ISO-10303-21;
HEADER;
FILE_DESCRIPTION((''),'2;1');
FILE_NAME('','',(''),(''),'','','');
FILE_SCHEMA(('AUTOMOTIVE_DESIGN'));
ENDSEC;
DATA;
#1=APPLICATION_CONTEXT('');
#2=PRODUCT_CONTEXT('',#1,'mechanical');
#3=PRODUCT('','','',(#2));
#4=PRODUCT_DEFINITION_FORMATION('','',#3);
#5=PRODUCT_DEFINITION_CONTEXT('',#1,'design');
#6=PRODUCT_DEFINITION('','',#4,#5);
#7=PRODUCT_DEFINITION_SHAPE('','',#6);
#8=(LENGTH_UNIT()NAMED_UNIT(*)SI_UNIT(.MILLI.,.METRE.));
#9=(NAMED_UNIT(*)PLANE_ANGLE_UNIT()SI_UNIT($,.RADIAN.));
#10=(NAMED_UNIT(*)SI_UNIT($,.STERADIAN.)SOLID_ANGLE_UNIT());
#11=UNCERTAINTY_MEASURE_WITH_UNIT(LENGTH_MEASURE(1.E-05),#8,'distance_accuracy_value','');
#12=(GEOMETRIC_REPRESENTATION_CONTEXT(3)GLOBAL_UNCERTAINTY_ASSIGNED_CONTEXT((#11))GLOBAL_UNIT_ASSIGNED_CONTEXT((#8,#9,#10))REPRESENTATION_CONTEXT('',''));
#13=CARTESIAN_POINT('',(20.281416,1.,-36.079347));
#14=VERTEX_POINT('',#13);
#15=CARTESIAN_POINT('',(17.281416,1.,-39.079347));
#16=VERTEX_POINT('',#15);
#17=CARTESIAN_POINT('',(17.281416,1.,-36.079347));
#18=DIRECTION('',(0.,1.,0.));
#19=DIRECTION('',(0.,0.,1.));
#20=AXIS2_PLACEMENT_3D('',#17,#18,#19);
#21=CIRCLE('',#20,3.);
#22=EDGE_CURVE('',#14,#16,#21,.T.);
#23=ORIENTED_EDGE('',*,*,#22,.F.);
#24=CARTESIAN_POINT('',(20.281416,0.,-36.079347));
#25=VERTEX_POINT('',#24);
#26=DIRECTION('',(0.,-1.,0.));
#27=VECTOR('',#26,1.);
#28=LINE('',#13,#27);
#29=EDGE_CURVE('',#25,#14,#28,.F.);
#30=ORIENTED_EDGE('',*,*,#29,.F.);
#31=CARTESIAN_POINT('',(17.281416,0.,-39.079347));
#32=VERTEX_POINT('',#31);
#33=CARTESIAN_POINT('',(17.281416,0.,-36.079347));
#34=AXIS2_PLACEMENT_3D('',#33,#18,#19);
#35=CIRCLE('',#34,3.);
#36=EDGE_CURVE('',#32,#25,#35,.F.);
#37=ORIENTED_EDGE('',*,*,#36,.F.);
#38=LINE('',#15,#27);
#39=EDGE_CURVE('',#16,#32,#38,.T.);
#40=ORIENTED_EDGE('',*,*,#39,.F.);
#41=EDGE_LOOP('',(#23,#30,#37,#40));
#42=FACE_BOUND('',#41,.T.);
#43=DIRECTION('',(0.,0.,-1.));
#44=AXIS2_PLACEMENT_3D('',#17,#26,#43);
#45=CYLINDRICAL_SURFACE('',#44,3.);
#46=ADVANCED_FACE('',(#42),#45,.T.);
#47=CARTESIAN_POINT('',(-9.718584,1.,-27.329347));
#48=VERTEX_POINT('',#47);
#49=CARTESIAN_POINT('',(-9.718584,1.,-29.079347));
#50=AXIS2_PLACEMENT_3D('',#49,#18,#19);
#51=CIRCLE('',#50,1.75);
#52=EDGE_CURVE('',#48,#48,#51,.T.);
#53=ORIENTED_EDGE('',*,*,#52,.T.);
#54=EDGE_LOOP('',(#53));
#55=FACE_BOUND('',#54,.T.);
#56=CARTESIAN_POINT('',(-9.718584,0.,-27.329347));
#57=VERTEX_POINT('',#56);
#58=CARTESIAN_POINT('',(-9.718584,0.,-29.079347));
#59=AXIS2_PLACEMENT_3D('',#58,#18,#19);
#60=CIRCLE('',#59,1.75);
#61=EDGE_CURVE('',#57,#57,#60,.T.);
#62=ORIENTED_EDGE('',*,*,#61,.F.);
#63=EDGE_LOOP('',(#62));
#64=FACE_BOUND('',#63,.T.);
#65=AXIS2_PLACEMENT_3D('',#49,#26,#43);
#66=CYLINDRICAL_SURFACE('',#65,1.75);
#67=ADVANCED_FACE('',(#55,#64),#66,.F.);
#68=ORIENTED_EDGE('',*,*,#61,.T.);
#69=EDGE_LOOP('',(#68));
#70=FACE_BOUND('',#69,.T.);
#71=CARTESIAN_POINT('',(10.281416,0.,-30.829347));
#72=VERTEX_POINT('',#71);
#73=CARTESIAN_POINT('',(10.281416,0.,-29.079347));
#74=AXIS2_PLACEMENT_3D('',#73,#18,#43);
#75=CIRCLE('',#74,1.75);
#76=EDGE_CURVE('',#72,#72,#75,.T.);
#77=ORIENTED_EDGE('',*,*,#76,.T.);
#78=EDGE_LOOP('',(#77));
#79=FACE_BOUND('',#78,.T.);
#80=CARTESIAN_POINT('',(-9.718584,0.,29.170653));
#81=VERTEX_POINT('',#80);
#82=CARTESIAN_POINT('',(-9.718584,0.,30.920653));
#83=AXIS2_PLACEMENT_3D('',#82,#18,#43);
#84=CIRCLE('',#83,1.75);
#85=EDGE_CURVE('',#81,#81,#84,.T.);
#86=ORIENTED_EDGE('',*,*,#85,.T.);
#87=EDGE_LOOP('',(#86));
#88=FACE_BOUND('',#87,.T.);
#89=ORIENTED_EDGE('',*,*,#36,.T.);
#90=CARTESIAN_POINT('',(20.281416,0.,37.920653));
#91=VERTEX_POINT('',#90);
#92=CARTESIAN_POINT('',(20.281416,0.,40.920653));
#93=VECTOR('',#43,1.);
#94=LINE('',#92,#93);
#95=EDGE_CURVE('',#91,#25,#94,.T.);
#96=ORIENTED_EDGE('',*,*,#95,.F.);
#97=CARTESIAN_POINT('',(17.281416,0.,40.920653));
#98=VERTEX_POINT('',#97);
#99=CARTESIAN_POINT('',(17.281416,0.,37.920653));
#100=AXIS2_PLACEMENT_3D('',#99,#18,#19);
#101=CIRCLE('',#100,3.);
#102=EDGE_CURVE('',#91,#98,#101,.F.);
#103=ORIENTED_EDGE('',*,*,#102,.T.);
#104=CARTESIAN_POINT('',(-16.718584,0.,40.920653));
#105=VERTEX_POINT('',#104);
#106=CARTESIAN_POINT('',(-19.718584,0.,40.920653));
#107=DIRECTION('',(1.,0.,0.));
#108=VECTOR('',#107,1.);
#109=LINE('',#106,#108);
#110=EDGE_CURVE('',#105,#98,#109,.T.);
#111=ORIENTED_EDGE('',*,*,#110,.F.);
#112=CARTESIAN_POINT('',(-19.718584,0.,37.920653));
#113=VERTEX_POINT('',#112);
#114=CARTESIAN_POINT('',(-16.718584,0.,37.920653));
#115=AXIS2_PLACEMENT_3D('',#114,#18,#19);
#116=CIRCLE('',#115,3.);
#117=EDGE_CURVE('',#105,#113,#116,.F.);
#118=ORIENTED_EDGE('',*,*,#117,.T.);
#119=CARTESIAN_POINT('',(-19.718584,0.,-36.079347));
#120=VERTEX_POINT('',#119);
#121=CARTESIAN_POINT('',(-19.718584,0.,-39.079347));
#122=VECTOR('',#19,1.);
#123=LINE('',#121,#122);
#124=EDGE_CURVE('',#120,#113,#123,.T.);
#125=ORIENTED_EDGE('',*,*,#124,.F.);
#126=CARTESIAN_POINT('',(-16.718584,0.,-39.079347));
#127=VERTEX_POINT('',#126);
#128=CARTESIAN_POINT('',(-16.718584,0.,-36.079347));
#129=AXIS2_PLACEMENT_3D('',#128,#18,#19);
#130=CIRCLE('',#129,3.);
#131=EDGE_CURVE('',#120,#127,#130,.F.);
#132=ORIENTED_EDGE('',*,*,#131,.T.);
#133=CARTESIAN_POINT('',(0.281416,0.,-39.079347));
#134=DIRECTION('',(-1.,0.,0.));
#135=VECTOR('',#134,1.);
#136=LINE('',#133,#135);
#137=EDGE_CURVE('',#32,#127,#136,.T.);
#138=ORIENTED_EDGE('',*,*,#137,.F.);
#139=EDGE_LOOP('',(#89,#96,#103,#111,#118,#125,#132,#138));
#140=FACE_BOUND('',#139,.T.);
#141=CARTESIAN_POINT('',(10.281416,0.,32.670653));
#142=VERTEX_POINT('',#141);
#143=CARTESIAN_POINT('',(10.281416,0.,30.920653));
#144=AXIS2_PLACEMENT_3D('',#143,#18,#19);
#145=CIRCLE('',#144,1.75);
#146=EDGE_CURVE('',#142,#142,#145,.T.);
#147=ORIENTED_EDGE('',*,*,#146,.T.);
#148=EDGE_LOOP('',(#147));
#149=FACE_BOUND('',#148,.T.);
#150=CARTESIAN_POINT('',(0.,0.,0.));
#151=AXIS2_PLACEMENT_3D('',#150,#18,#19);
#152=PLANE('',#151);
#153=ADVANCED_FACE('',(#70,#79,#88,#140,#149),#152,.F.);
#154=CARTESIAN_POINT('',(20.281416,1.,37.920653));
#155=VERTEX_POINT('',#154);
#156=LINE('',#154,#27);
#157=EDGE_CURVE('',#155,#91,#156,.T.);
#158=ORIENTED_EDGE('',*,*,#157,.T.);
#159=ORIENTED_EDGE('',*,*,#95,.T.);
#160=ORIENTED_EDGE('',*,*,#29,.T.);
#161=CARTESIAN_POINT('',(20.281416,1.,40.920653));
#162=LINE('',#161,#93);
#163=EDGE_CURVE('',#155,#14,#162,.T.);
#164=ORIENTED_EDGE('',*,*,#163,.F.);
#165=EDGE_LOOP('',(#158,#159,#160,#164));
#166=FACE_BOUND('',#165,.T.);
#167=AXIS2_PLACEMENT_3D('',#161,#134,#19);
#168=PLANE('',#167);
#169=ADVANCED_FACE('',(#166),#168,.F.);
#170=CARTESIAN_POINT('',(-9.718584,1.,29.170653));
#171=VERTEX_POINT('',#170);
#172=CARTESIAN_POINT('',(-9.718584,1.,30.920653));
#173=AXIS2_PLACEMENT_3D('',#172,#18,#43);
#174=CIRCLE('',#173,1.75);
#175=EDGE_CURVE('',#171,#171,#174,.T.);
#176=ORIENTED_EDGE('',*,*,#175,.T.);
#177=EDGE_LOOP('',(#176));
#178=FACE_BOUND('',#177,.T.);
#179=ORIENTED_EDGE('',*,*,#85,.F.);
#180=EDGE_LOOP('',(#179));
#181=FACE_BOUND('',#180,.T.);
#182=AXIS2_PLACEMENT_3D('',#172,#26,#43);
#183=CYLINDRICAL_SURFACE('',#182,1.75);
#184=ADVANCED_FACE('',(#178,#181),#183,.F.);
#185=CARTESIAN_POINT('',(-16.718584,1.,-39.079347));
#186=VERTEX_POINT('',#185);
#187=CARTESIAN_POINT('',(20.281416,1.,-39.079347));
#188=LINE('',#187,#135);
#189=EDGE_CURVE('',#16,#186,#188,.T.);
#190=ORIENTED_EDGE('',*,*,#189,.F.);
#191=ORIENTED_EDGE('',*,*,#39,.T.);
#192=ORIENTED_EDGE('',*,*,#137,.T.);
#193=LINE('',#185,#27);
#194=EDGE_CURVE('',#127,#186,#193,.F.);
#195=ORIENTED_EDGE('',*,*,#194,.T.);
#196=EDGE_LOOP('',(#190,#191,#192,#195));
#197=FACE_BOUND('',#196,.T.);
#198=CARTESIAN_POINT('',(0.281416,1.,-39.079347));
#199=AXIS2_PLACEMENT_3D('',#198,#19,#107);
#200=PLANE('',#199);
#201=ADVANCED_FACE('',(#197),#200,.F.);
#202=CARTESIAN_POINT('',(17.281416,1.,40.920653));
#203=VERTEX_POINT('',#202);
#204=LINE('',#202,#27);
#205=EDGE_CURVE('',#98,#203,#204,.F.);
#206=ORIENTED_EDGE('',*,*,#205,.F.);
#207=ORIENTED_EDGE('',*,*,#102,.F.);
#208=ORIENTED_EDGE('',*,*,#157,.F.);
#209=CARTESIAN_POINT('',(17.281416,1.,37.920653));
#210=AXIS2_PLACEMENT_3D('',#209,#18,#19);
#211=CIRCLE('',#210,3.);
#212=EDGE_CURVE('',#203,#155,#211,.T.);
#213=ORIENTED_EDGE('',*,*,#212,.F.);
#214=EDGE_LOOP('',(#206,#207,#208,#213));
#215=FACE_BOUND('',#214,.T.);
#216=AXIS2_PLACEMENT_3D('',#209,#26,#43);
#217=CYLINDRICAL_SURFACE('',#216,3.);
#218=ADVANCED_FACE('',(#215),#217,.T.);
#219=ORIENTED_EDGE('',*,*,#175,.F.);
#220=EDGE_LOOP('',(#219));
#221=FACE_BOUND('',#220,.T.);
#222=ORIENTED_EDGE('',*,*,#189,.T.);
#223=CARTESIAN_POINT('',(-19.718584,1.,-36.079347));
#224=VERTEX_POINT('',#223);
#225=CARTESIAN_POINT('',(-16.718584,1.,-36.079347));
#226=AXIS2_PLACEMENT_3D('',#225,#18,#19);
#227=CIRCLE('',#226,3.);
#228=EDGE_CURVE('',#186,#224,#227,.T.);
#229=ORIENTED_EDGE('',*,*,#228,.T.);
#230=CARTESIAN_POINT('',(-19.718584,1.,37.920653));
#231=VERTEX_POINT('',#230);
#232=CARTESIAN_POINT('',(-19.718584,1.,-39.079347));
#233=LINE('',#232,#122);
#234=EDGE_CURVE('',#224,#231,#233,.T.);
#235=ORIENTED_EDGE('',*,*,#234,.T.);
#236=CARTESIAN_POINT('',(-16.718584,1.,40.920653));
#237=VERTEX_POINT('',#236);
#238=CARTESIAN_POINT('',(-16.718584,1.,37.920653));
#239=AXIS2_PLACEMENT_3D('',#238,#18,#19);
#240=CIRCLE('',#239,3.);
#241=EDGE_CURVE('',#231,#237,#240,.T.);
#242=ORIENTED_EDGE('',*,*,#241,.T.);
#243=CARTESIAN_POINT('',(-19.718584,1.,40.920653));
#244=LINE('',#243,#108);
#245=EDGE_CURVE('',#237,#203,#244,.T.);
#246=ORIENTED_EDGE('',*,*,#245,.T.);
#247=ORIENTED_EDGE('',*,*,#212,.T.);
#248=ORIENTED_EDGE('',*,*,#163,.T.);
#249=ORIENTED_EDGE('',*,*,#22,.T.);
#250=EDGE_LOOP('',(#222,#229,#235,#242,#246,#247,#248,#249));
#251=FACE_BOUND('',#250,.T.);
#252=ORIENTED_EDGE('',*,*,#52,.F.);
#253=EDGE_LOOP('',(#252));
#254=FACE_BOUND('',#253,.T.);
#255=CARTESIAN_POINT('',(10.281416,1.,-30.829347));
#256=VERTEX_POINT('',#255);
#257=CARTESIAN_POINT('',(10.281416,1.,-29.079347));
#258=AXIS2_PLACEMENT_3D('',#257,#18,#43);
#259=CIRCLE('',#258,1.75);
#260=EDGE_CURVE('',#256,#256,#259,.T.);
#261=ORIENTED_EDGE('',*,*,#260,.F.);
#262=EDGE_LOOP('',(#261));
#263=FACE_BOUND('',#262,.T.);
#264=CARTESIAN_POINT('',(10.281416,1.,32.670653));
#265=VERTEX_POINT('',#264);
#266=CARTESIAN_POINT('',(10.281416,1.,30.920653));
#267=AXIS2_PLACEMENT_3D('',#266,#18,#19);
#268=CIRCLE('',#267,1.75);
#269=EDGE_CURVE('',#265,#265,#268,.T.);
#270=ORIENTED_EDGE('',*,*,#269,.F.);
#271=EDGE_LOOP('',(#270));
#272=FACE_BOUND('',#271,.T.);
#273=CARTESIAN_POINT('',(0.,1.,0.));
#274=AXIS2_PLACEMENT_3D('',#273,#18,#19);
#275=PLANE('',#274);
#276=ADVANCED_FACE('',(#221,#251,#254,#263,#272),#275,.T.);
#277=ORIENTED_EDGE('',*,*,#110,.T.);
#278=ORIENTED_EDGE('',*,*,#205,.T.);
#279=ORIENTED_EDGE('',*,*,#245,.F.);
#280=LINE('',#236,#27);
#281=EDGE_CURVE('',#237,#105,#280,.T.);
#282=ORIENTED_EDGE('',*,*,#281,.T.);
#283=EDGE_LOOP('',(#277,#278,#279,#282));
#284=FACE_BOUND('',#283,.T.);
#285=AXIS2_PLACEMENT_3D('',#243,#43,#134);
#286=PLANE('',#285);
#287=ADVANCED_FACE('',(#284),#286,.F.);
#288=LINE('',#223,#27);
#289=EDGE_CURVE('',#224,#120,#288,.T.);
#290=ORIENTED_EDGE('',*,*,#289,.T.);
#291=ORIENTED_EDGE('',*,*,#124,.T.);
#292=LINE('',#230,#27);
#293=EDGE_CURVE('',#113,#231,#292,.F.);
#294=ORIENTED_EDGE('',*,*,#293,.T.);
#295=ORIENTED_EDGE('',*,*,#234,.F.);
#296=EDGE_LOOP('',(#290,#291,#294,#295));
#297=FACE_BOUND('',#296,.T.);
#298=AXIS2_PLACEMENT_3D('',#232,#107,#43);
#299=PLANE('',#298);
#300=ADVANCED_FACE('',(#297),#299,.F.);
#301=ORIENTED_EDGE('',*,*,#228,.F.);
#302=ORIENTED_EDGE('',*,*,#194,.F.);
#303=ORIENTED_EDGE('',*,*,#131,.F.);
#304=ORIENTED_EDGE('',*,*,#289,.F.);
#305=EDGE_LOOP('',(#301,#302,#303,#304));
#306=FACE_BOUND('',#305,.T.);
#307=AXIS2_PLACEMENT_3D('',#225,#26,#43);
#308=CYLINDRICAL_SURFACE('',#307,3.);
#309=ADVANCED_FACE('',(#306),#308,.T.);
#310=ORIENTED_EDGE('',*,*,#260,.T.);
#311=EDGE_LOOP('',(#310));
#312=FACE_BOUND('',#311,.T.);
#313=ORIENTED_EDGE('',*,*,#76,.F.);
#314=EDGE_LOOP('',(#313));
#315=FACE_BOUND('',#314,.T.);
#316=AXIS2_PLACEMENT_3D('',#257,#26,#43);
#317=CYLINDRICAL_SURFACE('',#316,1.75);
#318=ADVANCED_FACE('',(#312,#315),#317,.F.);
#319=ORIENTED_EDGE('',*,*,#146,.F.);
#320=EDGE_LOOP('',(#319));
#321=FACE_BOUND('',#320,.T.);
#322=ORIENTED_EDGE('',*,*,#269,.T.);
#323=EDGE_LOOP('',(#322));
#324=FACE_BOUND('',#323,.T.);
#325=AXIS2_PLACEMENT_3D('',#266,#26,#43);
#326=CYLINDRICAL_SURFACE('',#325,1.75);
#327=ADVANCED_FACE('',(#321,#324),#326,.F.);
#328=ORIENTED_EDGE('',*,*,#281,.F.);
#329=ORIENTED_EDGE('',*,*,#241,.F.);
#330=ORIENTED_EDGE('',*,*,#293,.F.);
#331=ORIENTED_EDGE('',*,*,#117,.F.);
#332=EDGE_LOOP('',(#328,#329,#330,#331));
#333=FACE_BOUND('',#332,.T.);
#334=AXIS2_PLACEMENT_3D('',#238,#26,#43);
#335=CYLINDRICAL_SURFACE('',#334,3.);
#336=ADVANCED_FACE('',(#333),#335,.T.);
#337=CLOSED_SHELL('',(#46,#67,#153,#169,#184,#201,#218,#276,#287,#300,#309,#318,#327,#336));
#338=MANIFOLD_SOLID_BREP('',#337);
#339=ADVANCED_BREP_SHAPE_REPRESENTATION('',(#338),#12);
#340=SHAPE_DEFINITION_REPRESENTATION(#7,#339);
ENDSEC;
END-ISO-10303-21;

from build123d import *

# Parameters (mm, degrees)
SKETCH_1_R      = 1.75
EXTRUDE_1_DEPTH = 1
FILLET_1_R      = 3


with BuildPart() as part:
    # ｽｹｯﾁ1 → ﾎﾞｽ - 押し出し1 (new body)
    with BuildSketch(Plane(origin=(0, 0, 0), x_dir=(1, 0, 0), z_dir=(0, 1, 0))):
        Polygon((0.281416123, 39.079347488), (-19.718583877, 39.079347488), (-19.718583877, -40.920652512), (20.281416123, -40.920652512), (20.281416123, 39.079347488), align=None)
        with Locations(Location((-9.718583877, 29.079347488, 0), (0, 0, 270))):
            Circle(SKETCH_1_R, mode=Mode.SUBTRACT)
        with Locations(Location((10.281416123, 29.079347488, 0), (0, 0, 90))):
            Circle(SKETCH_1_R, mode=Mode.SUBTRACT)
        with Locations(Location((10.281416123, -30.920652512, 0), (0, 0, 270))):
            Circle(SKETCH_1_R, mode=Mode.SUBTRACT)
        with Locations(Location((-9.718583877, -30.920652512, 0), (0, 0, 90))):
            Circle(SKETCH_1_R, mode=Mode.SUBTRACT)
    extrude(amount=EXTRUDE_1_DEPTH)

    # ﾌｨﾚｯﾄ1
    fillet_1_edges = [part.edges().sort_by_distance(p)[0] for p in [
        (20.281416123, 0.5, -39.079347488),
        (20.281416123, 0.5, 40.920652512),
        (-19.718583877, 0.5, 40.920652512),
        (-19.718583877, 0.5, -39.079347488),
    ]]
    fillet(fillet_1_edges, radius=FILLET_1_R)


solid = part.part
